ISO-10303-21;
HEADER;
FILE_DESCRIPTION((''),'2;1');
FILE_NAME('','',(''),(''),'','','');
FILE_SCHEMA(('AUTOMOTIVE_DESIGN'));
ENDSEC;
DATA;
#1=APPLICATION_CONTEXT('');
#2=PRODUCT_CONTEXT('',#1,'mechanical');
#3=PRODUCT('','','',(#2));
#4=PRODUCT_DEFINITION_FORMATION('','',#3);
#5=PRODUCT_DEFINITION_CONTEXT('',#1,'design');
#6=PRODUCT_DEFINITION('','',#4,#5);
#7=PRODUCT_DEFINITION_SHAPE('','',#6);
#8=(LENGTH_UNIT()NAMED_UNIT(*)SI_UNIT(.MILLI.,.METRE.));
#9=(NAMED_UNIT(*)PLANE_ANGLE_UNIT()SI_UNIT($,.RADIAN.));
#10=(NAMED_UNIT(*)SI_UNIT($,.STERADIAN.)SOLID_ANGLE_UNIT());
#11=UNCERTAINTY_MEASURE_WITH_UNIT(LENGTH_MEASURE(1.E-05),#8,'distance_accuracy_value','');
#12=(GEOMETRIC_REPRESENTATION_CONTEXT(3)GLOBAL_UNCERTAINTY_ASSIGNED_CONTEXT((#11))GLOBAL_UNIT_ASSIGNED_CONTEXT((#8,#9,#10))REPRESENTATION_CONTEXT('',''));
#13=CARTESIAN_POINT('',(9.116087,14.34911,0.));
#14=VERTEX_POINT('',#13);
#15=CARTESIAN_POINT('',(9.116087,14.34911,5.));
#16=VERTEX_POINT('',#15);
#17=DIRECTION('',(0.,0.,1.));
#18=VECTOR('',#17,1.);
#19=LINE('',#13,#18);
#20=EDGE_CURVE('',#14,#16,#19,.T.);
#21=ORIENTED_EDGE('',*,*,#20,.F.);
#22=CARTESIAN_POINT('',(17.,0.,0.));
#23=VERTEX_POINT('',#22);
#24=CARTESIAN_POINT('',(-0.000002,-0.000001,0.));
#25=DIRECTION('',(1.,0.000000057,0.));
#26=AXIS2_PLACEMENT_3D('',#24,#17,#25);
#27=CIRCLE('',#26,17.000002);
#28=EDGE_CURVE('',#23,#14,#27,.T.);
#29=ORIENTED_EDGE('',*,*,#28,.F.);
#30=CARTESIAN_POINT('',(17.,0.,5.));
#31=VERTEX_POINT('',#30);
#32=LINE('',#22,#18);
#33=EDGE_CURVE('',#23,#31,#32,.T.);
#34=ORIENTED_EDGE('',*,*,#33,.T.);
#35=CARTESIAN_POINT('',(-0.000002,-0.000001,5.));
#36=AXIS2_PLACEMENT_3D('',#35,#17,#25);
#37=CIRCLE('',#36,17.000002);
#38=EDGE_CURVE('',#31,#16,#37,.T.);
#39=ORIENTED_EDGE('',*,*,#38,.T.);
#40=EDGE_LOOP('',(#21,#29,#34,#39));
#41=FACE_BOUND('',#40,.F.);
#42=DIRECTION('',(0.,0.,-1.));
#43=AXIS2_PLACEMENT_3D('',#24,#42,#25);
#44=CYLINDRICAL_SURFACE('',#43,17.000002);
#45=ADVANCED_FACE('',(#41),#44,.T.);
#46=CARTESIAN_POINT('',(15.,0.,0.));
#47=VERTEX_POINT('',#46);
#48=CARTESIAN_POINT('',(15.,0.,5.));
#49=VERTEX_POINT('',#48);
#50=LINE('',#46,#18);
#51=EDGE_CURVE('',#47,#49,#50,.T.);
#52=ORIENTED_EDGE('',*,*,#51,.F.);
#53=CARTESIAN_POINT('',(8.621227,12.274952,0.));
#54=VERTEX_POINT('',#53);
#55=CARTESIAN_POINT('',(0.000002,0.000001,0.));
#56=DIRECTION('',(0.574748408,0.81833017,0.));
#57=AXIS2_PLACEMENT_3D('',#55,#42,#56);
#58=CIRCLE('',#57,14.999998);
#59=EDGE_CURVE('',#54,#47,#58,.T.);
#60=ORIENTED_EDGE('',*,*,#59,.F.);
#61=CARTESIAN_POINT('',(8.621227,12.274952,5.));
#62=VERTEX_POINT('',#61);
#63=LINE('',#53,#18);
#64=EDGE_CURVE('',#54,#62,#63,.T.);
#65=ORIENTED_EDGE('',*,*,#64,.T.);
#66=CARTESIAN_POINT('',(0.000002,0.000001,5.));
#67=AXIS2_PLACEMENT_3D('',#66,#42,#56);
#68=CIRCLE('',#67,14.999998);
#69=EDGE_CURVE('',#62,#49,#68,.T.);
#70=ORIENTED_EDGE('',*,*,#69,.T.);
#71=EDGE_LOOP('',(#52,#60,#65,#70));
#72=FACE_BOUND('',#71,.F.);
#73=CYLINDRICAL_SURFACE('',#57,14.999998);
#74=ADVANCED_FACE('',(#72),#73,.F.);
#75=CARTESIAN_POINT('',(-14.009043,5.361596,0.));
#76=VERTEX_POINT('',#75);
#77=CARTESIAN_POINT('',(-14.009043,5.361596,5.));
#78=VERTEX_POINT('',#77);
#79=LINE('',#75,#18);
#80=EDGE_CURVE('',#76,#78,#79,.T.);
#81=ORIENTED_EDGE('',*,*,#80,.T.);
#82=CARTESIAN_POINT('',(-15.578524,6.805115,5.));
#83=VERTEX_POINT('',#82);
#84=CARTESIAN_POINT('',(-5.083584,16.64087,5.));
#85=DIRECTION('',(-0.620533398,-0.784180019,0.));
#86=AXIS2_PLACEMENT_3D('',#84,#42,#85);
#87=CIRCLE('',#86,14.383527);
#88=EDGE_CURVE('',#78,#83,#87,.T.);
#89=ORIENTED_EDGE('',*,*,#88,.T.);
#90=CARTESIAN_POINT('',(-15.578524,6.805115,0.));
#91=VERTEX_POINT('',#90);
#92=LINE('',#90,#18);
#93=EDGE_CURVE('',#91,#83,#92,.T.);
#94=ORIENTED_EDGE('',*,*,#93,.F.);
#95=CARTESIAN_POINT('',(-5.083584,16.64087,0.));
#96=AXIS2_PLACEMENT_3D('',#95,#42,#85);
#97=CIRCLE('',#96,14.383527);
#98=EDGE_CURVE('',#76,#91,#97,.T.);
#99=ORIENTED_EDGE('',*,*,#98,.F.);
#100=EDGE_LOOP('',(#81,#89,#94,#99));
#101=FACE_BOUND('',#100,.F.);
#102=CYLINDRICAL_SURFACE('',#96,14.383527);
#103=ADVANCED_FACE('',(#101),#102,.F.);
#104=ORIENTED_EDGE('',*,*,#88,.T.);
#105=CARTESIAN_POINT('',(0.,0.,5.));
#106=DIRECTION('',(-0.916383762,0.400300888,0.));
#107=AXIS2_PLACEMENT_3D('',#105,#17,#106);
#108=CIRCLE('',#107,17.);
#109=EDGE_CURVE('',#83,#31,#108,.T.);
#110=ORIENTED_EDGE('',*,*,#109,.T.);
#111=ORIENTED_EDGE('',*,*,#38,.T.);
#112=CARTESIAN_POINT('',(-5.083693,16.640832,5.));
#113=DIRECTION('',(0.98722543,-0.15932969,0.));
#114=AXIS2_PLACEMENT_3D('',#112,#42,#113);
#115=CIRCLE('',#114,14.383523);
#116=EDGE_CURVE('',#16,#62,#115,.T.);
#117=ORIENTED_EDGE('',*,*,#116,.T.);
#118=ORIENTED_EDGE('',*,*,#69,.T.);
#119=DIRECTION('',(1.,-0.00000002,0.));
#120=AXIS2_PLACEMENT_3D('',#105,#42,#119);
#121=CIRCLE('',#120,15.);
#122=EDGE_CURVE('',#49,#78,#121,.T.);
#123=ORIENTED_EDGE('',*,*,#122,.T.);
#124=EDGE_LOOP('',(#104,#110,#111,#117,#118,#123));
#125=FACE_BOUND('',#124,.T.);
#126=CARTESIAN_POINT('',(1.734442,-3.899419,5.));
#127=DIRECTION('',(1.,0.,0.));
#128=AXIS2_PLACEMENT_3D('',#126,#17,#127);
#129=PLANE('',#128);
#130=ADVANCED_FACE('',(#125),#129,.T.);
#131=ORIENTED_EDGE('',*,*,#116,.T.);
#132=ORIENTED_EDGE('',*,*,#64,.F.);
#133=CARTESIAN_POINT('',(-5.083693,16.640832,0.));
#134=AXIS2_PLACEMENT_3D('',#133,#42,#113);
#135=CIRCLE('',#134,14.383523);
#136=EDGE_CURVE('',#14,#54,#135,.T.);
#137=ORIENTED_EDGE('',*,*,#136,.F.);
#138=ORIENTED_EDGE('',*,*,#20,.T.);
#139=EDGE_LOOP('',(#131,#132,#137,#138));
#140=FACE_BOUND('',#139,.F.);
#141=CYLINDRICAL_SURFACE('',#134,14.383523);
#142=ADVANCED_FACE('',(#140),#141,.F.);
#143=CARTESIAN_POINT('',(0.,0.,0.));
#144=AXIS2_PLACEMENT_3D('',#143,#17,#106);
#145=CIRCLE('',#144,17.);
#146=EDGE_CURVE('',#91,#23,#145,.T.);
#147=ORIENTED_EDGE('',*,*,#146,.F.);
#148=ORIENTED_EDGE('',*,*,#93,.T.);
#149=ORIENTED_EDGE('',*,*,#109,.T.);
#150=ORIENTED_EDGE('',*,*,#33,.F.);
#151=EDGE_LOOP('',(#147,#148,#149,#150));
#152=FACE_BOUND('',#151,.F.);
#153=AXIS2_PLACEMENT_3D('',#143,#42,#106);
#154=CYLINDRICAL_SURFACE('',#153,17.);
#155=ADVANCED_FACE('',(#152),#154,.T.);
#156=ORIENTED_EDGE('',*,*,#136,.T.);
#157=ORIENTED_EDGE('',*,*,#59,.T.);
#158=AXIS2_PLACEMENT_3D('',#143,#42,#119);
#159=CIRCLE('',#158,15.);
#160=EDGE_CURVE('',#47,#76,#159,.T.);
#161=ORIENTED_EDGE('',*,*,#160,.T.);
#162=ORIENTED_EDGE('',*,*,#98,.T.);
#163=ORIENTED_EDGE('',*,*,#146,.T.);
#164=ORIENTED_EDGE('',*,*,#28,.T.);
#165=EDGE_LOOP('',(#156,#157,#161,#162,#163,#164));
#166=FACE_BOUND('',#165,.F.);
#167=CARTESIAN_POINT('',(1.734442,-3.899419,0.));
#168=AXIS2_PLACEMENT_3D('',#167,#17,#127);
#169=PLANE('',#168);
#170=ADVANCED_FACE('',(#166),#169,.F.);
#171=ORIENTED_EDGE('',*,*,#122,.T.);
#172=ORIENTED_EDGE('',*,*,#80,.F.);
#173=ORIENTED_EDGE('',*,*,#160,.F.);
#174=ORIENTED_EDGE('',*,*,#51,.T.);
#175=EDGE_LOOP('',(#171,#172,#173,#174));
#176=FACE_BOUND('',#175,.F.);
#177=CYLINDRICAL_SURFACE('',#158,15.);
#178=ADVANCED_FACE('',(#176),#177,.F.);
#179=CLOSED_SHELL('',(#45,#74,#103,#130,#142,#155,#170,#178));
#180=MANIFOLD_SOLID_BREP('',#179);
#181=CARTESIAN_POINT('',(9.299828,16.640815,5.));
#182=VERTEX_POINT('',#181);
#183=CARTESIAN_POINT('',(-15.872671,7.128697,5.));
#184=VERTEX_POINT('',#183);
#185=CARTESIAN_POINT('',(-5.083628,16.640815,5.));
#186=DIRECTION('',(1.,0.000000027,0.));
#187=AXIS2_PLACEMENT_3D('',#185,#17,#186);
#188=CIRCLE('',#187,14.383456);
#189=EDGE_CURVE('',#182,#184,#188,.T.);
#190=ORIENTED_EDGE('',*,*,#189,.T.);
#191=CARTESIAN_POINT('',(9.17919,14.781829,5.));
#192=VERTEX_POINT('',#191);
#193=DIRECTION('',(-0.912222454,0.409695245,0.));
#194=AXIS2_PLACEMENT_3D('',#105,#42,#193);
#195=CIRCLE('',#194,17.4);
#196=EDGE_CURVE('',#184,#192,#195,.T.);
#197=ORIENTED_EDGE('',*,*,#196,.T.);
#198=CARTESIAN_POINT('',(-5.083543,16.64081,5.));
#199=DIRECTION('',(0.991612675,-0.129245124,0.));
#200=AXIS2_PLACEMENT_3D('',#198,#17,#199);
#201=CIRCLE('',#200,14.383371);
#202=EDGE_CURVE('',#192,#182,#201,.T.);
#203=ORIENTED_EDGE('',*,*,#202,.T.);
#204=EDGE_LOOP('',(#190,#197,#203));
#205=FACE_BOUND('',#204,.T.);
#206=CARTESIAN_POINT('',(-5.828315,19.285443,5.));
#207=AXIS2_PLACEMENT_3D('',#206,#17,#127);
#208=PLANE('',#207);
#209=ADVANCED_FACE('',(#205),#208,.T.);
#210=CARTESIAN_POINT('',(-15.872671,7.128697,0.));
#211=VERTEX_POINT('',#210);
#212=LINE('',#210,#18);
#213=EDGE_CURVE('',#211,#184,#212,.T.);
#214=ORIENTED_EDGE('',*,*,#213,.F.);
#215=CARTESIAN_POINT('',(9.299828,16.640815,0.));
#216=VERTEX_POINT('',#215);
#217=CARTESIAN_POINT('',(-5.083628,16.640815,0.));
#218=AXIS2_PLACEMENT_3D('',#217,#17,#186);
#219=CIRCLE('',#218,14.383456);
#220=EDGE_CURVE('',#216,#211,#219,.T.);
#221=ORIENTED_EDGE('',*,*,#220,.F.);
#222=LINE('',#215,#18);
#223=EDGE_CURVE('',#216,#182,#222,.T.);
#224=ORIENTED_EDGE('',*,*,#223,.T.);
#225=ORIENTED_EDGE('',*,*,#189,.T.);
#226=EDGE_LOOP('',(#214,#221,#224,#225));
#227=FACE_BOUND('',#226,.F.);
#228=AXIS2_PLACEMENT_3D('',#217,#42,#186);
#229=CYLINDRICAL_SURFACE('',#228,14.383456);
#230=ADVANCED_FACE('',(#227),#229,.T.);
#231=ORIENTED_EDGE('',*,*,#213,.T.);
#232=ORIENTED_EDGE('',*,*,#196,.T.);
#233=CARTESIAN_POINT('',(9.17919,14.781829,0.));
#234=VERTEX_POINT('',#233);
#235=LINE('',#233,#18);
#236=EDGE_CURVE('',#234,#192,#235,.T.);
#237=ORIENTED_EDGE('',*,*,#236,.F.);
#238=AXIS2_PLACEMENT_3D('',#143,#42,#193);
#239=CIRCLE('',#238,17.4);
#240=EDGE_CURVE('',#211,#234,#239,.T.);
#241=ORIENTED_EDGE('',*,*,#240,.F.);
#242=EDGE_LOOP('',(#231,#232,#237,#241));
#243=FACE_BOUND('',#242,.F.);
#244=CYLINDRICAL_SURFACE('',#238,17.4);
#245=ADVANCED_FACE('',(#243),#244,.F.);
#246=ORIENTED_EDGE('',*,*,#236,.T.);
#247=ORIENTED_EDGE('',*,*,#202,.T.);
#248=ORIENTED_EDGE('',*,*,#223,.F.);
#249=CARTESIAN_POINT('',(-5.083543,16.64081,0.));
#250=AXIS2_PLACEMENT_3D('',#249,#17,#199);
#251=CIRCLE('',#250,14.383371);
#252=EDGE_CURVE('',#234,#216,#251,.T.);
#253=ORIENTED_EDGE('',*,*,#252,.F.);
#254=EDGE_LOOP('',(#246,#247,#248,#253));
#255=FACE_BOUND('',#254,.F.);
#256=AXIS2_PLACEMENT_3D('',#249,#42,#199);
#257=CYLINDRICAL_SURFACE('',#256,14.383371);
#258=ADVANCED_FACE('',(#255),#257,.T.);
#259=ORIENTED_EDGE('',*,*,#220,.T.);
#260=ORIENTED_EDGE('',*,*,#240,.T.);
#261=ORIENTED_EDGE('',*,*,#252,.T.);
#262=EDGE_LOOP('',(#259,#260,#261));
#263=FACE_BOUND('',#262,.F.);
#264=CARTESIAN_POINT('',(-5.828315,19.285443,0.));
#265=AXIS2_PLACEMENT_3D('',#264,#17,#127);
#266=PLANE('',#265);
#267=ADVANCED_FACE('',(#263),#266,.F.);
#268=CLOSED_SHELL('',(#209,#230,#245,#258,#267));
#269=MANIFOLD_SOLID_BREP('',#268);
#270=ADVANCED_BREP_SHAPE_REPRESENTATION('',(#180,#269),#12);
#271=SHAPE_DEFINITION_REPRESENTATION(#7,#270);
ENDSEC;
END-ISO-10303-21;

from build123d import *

# Parameters (mm, degrees)
F1_DEPTH = 5


with BuildPart() as f1:
    # F0 (on Top) → F1 (new body)
    with BuildSketch(Plane.XY):
        with BuildLine():
            ThreePointArc((-15.872671, 7.128697), (-5.083628, 16.640815), (9.17919, 14.781829))
            ThreePointArc((9.17919, 14.781829), (9.269637, 15.709367), (9.299828, 16.640815))
            ThreePointArc((9.299828, 16.640815), (-10.167922, 30.095694), (-15.872671, 7.128697))
        make_face()
        with BuildLine():
            ThreePointArc((8.621227, 12.274952), (13.310117, 6.916704), (15, 0))
            ThreePointArc((15, 0), (-2.726202, -14.75018), (-14.009043, 5.361596))
            ThreePointArc((-14.009043, 5.361596), (-14.820571, 6.054231), (-15.578524, 6.805115))
            ThreePointArc((-15.578524, 6.805115), (-3.475996, -16.640837), (17, 0))
            ThreePointArc((17, 0), (14.899219, 8.186163), (9.116087, 14.34911))
            ThreePointArc((9.116087, 14.34911), (8.907147, 13.302848), (8.621227, 12.274952))
        make_face()
    extrude(amount=F1_DEPTH)


solid = f1.part
